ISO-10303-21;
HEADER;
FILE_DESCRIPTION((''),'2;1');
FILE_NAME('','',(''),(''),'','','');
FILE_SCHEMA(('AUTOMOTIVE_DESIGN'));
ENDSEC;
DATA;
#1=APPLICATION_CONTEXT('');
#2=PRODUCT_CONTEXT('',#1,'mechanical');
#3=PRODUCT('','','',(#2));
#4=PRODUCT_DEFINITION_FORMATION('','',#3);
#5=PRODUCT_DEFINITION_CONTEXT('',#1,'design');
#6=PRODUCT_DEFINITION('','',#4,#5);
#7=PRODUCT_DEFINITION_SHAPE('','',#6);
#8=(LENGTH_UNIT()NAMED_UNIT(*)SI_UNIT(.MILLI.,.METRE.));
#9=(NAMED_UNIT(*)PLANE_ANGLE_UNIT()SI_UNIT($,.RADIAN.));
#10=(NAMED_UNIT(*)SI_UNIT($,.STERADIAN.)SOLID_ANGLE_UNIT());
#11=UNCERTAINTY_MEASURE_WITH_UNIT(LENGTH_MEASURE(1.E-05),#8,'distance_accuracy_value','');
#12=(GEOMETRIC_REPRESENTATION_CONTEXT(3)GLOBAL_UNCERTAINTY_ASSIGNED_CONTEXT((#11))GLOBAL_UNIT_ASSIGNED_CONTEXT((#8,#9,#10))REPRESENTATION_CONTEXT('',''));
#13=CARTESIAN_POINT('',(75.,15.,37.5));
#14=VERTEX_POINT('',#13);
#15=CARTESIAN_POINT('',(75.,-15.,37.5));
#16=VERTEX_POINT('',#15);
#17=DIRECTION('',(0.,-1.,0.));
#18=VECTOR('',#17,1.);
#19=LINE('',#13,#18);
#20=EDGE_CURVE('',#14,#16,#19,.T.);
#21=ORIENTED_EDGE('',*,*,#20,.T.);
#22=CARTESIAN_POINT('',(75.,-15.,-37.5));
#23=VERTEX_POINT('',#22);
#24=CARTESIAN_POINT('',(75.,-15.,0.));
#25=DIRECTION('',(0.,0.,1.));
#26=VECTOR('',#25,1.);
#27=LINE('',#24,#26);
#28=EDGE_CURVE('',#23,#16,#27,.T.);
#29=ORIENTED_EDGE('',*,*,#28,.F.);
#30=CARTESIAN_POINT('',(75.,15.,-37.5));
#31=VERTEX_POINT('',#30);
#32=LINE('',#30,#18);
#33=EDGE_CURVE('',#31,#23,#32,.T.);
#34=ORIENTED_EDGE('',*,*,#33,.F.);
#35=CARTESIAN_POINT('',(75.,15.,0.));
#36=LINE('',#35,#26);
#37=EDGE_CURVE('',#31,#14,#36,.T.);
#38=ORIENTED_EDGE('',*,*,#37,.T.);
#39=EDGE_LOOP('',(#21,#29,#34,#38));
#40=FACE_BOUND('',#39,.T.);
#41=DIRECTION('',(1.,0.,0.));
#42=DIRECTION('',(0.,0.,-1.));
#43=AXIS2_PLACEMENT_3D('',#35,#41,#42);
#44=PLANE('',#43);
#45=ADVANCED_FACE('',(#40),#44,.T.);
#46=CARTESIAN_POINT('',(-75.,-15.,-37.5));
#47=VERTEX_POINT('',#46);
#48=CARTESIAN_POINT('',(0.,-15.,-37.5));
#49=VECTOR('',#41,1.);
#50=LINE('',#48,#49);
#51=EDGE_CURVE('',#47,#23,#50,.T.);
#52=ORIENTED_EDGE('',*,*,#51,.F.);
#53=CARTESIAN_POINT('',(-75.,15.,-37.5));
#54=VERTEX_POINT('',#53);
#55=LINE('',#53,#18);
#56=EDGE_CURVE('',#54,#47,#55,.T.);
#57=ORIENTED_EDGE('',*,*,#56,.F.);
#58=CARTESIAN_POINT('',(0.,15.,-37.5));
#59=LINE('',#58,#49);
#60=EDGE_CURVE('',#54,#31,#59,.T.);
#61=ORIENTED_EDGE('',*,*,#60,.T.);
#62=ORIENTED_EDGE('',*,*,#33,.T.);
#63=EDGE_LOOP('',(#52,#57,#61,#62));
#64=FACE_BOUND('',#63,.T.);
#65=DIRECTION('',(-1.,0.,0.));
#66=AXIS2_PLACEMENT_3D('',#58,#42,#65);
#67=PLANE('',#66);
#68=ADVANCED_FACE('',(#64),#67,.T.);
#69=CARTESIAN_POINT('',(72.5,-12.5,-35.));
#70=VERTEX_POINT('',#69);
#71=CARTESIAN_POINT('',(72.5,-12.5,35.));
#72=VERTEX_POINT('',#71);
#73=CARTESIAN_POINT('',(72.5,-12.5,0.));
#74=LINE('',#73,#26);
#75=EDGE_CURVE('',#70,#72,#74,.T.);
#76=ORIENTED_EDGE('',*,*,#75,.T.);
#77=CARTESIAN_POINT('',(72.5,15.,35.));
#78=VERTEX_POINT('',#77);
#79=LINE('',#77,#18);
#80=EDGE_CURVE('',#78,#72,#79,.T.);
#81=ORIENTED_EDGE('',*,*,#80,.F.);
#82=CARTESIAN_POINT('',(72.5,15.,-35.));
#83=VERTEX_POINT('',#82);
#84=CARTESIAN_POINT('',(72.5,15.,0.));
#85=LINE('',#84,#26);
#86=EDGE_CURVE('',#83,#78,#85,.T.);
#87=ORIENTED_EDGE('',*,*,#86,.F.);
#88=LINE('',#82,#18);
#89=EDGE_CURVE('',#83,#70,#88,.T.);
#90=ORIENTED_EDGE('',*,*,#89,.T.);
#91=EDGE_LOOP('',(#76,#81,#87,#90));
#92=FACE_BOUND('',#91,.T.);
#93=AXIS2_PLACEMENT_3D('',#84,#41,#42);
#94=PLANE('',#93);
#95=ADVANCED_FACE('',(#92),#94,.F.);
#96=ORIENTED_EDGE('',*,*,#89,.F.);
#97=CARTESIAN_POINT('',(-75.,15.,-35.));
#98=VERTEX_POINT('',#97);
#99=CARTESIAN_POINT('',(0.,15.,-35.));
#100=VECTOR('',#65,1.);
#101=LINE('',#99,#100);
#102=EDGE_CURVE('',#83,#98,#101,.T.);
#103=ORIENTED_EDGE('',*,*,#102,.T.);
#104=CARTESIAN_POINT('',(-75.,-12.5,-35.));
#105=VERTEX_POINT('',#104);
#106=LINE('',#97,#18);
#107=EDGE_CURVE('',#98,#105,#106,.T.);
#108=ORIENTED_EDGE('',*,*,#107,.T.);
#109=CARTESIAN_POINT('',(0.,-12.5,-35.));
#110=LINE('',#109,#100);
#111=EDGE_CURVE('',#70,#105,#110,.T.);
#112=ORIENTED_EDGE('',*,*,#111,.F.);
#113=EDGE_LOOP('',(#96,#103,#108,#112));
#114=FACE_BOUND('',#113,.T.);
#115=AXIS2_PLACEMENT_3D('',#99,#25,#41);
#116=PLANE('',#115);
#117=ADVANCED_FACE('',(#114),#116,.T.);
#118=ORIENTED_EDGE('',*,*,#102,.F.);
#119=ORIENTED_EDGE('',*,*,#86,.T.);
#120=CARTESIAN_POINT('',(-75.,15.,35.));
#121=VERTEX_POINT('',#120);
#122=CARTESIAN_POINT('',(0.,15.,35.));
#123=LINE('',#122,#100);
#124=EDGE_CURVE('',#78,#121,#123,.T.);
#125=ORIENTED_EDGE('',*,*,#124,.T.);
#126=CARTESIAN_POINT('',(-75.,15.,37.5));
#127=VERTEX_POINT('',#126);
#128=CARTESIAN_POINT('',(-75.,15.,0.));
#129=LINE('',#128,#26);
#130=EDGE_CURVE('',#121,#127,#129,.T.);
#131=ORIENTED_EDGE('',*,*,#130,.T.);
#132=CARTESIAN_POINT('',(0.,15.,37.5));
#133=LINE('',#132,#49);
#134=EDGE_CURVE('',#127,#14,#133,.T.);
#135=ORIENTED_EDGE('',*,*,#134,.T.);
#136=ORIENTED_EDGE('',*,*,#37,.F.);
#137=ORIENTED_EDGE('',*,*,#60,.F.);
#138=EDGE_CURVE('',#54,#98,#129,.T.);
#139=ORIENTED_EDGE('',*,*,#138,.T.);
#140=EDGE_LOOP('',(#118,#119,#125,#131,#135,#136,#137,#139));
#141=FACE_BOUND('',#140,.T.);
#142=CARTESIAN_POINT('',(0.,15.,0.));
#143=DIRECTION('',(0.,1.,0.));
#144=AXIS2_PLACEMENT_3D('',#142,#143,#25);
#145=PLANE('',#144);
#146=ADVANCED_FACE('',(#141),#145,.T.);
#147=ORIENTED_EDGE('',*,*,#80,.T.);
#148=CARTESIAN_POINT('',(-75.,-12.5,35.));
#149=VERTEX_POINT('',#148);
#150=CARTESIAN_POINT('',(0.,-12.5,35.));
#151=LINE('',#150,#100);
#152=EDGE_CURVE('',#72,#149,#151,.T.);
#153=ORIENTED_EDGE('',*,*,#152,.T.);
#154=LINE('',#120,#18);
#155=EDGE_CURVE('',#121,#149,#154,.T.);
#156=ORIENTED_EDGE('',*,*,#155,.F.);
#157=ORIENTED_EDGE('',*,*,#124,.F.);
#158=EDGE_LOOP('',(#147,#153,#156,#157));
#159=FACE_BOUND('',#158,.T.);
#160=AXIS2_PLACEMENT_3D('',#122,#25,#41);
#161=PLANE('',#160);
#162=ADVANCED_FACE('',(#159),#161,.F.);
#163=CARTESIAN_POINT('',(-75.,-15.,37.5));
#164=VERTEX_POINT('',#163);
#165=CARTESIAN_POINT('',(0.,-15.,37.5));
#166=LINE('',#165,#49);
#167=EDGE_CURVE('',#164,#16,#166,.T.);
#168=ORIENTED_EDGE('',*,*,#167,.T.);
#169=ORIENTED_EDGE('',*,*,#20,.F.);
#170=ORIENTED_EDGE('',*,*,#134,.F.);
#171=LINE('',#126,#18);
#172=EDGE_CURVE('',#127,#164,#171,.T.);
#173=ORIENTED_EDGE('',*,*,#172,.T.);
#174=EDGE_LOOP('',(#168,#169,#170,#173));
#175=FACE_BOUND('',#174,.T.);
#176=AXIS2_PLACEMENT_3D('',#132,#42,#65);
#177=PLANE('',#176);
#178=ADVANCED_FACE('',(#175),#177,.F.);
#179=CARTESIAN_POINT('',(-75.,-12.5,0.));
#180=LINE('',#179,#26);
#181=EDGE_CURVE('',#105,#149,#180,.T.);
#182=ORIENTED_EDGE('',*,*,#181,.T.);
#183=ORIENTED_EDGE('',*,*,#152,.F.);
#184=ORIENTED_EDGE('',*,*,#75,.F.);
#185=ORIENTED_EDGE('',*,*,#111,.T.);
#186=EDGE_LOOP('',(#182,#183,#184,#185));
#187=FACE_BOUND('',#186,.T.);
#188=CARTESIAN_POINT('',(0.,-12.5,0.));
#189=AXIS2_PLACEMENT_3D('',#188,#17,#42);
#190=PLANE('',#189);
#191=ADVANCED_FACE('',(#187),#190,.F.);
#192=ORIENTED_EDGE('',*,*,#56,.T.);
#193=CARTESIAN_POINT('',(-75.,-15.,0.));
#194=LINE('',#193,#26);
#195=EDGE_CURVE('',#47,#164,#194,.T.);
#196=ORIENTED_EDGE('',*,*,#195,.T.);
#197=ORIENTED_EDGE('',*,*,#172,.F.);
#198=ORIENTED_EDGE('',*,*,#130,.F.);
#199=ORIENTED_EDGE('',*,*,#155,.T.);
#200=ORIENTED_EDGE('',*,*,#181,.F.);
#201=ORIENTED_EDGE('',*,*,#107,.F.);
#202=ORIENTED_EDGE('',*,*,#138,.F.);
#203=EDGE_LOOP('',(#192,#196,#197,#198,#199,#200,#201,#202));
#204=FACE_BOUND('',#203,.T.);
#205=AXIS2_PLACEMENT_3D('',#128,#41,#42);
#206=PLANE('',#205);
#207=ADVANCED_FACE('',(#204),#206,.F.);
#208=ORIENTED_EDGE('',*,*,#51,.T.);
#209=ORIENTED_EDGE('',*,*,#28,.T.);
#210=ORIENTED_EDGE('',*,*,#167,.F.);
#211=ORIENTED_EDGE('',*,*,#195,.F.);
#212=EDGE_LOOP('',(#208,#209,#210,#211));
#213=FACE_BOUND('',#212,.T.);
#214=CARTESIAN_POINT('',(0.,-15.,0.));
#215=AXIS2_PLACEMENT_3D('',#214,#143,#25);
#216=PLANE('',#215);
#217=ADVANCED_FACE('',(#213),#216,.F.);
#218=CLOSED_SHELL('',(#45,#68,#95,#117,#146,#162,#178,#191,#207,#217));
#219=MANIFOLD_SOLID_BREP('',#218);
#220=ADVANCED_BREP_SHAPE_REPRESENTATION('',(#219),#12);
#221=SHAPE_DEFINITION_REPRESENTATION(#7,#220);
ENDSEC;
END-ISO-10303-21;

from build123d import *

# Parameters (mm, degrees)
BOSS_EXTRUDE1_DEPTH = 15
BOSS_EXTRUDE2_START = -15
SKETCH2_3_W         = 145
SKETCH2_3_H         = 70
SKETCH2_3_W_2       = 2.5
BOSS_EXTRUDE2_DEPTH = 2.5


with BuildPart() as part:
    # Sketch2 → Boss-Extrude1 (new, symmetric)
    with BuildSketch(Plane(origin=(0, 0, 0), x_dir=(1, 0, 0), z_dir=(0, 1, 0))):
        Polygon((-75, 35), (-72.5, 35), (72.5, 35), (72.5, -35), (-72.5, -35), (-75, -35), (-75, -37.5), (75, -37.5), (75, 37.5), (-75, 37.5), align=None)
    extrude(amount=BOSS_EXTRUDE1_DEPTH, both=True)

    # Sketch2<3> → Boss-Extrude2 (add)
    with BuildSketch(Plane(origin=(0, 0, 0), x_dir=(1, 0, 0), z_dir=(0, 1, 0)).offset(BOSS_EXTRUDE2_START)):
        Rectangle(SKETCH2_3_W, SKETCH2_3_H)
        with Locations((-73.75, 0)):
            Rectangle(SKETCH2_3_W_2, SKETCH2_3_H)
    extrude(amount=BOSS_EXTRUDE2_DEPTH)


solid = part.part
